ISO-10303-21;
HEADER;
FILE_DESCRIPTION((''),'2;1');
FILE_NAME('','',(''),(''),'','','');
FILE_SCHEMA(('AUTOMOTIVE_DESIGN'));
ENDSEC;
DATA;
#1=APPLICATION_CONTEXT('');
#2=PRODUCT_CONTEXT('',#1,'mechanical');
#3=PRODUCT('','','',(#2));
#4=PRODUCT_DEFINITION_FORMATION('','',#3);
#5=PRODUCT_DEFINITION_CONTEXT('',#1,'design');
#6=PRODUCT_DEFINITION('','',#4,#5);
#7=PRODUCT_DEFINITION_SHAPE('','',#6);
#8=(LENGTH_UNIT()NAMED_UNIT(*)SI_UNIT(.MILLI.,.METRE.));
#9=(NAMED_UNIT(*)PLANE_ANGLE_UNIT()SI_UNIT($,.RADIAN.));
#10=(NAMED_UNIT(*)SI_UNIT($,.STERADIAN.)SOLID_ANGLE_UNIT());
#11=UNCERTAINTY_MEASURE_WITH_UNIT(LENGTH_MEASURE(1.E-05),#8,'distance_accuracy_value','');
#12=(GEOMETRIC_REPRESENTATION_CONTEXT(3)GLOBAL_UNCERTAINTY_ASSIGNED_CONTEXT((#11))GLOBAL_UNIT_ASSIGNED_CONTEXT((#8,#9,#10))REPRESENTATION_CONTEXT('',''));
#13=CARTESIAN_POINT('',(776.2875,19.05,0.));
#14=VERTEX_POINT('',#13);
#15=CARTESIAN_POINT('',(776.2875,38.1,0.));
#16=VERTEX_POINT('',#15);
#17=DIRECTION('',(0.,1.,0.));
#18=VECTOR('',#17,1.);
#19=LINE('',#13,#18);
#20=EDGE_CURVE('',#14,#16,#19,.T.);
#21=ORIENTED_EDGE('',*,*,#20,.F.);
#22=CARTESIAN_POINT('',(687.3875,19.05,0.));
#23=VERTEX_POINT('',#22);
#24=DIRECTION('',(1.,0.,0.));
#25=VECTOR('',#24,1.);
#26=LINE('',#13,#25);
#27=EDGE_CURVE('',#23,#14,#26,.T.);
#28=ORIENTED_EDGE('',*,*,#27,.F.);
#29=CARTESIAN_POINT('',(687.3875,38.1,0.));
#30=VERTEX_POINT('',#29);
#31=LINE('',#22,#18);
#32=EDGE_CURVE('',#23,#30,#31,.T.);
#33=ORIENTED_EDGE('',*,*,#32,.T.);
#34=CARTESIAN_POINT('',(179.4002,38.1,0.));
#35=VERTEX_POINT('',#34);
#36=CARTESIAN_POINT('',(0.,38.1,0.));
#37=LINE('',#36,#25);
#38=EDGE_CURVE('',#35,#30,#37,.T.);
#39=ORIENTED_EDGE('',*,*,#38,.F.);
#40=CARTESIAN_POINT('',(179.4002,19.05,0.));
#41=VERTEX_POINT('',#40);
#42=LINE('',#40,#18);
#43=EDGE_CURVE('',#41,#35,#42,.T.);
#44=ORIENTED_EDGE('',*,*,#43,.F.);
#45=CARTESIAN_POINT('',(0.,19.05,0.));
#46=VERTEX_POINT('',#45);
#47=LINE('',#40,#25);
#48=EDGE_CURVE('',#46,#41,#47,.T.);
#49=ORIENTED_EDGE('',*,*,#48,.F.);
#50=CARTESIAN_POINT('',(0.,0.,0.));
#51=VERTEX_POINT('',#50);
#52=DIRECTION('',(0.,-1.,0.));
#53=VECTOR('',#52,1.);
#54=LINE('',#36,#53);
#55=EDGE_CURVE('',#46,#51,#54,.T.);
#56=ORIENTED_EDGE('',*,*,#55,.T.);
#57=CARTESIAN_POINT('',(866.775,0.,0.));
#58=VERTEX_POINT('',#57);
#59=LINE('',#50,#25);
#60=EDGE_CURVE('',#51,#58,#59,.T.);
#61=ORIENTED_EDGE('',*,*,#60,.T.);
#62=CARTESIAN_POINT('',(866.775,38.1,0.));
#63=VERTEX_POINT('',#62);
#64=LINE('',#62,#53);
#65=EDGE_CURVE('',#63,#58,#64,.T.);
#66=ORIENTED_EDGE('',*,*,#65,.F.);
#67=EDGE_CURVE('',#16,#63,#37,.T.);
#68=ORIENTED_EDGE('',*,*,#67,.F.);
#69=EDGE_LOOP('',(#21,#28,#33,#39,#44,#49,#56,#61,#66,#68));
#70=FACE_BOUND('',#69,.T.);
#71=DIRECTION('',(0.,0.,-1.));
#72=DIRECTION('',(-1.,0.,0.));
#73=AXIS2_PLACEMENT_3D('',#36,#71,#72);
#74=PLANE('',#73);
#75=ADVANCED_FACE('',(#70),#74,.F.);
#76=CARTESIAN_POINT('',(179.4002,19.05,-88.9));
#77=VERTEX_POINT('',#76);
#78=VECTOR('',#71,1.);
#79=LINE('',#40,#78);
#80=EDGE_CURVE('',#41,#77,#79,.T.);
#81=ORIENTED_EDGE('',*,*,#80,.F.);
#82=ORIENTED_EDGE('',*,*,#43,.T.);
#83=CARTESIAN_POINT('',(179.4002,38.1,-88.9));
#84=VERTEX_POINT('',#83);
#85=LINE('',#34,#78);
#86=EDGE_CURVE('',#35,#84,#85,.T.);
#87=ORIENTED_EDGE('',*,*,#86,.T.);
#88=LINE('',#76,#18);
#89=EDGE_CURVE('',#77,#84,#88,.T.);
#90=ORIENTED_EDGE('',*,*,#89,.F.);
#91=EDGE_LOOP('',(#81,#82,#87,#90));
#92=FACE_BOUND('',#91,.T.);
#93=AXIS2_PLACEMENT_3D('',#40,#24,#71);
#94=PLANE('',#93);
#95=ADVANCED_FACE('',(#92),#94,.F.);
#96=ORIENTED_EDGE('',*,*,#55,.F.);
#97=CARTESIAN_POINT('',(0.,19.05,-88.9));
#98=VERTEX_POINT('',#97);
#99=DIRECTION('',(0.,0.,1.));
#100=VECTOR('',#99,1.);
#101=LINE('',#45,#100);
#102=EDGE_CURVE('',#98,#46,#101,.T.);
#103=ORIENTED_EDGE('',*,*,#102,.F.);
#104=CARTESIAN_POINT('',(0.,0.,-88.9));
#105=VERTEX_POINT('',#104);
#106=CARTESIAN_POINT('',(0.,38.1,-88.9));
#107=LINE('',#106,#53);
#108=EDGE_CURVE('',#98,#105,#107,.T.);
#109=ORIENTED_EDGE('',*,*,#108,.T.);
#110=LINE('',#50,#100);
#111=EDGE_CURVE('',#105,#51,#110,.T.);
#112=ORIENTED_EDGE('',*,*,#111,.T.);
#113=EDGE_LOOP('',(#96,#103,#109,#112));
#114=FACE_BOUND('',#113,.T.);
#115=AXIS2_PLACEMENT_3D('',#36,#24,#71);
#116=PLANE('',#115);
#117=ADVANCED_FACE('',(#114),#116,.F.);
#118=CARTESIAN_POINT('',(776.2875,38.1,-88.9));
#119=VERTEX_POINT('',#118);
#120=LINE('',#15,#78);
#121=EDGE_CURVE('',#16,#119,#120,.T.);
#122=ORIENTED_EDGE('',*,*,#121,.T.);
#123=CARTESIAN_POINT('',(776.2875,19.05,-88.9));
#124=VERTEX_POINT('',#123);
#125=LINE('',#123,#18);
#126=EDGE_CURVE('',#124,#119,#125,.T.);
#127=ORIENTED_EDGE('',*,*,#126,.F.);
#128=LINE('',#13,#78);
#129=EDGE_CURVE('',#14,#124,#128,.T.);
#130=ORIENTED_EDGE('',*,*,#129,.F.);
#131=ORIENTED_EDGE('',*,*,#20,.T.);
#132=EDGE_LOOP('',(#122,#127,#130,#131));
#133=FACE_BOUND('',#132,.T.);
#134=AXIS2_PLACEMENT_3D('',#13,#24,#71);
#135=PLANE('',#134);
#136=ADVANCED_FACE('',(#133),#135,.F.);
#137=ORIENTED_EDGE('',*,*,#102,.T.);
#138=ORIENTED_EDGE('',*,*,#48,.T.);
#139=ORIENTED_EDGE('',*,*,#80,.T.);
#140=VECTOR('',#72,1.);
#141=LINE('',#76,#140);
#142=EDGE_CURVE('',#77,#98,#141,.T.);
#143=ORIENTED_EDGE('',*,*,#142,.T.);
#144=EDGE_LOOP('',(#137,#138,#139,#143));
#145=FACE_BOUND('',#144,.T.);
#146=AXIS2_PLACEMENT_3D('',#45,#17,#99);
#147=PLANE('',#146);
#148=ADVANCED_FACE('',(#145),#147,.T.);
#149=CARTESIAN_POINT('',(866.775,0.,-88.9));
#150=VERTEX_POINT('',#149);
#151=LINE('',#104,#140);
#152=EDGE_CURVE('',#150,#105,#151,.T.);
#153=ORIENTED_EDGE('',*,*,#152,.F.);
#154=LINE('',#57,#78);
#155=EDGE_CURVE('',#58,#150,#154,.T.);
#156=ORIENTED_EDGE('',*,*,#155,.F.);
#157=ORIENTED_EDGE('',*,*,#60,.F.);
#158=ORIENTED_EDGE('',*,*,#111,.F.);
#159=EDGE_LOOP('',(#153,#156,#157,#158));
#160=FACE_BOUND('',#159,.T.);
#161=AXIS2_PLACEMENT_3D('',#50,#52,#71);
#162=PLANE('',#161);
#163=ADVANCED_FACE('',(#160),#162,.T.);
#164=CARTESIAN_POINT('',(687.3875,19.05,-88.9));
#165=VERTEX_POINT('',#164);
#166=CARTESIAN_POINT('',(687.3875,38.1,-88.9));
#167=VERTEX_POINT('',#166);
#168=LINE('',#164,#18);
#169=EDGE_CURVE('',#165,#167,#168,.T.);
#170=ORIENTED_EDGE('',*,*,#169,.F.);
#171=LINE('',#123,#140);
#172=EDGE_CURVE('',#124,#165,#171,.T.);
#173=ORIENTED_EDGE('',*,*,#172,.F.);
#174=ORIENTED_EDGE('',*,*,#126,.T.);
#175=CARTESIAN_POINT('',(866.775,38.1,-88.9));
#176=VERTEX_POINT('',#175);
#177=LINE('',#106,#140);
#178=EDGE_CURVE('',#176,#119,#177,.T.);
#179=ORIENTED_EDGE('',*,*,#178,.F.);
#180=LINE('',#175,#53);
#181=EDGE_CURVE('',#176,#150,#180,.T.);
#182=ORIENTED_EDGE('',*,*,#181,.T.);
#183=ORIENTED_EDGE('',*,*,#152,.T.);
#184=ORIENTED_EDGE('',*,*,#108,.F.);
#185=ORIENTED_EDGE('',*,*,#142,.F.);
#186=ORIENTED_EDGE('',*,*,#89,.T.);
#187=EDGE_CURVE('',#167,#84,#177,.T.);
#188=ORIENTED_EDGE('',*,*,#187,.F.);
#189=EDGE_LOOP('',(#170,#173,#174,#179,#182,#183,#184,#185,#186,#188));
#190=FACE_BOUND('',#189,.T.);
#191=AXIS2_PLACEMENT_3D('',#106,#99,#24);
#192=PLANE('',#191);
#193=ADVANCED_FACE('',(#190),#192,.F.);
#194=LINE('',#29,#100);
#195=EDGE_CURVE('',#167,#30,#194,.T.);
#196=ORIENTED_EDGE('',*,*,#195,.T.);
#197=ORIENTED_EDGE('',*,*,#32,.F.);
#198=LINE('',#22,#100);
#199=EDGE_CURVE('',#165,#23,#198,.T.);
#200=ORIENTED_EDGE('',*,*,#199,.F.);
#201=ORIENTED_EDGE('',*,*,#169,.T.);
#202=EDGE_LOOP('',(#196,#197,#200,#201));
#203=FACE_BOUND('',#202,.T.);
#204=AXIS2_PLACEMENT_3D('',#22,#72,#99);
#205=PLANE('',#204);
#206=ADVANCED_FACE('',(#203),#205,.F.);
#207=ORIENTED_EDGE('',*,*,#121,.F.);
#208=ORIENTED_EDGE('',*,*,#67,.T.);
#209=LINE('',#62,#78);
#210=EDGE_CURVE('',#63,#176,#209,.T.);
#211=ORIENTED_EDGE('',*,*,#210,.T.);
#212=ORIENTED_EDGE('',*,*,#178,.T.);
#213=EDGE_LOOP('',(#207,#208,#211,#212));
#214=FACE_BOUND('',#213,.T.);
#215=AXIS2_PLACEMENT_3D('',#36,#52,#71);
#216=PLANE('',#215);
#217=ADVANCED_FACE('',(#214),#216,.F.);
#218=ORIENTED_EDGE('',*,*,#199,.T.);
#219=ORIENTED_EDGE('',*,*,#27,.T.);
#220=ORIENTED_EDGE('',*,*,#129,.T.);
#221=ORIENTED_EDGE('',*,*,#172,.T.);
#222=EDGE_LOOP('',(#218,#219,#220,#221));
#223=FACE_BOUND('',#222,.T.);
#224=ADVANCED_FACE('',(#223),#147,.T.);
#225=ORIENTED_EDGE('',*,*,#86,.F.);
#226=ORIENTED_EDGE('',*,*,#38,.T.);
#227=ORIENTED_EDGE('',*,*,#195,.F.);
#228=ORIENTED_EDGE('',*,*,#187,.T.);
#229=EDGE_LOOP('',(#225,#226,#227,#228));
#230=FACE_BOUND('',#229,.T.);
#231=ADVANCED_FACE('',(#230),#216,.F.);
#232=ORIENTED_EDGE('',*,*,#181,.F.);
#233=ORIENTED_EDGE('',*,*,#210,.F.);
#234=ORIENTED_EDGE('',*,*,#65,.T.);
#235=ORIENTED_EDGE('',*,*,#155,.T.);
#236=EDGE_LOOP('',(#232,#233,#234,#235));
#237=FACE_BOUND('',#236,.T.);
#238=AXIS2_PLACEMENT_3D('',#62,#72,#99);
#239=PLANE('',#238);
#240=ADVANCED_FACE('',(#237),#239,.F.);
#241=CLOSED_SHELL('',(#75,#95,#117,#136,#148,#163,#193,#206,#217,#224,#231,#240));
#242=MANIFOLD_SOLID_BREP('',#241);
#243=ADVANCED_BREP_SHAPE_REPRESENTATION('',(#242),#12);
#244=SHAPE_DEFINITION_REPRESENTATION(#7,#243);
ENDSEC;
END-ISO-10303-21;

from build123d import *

# Parameters (mm, degrees)
SKETCH1_W           = 866.775
SKETCH1_H           = 88.9
BOSS_EXTRUDE1_DEPTH = 38.1
SKETCH2_W           = 88.9
SKETCH2_H           = 88.9
SKETCH2_W_2         = 179.4002
CUT_EXTRUDE1_DEPTH  = 19.05


with BuildPart() as part:
    # Sketch1 → Boss-Extrude1 (new body)
    with BuildSketch(Plane(origin=(0, 0, 0), x_dir=(1, 0, 0), z_dir=(0, 1, 0))):
        with Locations((433.3875, 44.45)):
            Rectangle(SKETCH1_W, SKETCH1_H)
    extrude(amount=BOSS_EXTRUDE1_DEPTH)

    # Sketch2 → Cut-Extrude1 (cut)
    with BuildSketch(Plane(origin=(0, 38.1, 0), x_dir=(1, 0, 0), z_dir=(0, 1, 0))):
        with Locations((731.8375, 44.45)):
            Rectangle(SKETCH2_W, SKETCH2_H)
        with Locations((89.7001, 44.45)):
            Rectangle(SKETCH2_W_2, SKETCH2_H)
    extrude(amount=-CUT_EXTRUDE1_DEPTH, mode=Mode.SUBTRACT)


solid = part.part
